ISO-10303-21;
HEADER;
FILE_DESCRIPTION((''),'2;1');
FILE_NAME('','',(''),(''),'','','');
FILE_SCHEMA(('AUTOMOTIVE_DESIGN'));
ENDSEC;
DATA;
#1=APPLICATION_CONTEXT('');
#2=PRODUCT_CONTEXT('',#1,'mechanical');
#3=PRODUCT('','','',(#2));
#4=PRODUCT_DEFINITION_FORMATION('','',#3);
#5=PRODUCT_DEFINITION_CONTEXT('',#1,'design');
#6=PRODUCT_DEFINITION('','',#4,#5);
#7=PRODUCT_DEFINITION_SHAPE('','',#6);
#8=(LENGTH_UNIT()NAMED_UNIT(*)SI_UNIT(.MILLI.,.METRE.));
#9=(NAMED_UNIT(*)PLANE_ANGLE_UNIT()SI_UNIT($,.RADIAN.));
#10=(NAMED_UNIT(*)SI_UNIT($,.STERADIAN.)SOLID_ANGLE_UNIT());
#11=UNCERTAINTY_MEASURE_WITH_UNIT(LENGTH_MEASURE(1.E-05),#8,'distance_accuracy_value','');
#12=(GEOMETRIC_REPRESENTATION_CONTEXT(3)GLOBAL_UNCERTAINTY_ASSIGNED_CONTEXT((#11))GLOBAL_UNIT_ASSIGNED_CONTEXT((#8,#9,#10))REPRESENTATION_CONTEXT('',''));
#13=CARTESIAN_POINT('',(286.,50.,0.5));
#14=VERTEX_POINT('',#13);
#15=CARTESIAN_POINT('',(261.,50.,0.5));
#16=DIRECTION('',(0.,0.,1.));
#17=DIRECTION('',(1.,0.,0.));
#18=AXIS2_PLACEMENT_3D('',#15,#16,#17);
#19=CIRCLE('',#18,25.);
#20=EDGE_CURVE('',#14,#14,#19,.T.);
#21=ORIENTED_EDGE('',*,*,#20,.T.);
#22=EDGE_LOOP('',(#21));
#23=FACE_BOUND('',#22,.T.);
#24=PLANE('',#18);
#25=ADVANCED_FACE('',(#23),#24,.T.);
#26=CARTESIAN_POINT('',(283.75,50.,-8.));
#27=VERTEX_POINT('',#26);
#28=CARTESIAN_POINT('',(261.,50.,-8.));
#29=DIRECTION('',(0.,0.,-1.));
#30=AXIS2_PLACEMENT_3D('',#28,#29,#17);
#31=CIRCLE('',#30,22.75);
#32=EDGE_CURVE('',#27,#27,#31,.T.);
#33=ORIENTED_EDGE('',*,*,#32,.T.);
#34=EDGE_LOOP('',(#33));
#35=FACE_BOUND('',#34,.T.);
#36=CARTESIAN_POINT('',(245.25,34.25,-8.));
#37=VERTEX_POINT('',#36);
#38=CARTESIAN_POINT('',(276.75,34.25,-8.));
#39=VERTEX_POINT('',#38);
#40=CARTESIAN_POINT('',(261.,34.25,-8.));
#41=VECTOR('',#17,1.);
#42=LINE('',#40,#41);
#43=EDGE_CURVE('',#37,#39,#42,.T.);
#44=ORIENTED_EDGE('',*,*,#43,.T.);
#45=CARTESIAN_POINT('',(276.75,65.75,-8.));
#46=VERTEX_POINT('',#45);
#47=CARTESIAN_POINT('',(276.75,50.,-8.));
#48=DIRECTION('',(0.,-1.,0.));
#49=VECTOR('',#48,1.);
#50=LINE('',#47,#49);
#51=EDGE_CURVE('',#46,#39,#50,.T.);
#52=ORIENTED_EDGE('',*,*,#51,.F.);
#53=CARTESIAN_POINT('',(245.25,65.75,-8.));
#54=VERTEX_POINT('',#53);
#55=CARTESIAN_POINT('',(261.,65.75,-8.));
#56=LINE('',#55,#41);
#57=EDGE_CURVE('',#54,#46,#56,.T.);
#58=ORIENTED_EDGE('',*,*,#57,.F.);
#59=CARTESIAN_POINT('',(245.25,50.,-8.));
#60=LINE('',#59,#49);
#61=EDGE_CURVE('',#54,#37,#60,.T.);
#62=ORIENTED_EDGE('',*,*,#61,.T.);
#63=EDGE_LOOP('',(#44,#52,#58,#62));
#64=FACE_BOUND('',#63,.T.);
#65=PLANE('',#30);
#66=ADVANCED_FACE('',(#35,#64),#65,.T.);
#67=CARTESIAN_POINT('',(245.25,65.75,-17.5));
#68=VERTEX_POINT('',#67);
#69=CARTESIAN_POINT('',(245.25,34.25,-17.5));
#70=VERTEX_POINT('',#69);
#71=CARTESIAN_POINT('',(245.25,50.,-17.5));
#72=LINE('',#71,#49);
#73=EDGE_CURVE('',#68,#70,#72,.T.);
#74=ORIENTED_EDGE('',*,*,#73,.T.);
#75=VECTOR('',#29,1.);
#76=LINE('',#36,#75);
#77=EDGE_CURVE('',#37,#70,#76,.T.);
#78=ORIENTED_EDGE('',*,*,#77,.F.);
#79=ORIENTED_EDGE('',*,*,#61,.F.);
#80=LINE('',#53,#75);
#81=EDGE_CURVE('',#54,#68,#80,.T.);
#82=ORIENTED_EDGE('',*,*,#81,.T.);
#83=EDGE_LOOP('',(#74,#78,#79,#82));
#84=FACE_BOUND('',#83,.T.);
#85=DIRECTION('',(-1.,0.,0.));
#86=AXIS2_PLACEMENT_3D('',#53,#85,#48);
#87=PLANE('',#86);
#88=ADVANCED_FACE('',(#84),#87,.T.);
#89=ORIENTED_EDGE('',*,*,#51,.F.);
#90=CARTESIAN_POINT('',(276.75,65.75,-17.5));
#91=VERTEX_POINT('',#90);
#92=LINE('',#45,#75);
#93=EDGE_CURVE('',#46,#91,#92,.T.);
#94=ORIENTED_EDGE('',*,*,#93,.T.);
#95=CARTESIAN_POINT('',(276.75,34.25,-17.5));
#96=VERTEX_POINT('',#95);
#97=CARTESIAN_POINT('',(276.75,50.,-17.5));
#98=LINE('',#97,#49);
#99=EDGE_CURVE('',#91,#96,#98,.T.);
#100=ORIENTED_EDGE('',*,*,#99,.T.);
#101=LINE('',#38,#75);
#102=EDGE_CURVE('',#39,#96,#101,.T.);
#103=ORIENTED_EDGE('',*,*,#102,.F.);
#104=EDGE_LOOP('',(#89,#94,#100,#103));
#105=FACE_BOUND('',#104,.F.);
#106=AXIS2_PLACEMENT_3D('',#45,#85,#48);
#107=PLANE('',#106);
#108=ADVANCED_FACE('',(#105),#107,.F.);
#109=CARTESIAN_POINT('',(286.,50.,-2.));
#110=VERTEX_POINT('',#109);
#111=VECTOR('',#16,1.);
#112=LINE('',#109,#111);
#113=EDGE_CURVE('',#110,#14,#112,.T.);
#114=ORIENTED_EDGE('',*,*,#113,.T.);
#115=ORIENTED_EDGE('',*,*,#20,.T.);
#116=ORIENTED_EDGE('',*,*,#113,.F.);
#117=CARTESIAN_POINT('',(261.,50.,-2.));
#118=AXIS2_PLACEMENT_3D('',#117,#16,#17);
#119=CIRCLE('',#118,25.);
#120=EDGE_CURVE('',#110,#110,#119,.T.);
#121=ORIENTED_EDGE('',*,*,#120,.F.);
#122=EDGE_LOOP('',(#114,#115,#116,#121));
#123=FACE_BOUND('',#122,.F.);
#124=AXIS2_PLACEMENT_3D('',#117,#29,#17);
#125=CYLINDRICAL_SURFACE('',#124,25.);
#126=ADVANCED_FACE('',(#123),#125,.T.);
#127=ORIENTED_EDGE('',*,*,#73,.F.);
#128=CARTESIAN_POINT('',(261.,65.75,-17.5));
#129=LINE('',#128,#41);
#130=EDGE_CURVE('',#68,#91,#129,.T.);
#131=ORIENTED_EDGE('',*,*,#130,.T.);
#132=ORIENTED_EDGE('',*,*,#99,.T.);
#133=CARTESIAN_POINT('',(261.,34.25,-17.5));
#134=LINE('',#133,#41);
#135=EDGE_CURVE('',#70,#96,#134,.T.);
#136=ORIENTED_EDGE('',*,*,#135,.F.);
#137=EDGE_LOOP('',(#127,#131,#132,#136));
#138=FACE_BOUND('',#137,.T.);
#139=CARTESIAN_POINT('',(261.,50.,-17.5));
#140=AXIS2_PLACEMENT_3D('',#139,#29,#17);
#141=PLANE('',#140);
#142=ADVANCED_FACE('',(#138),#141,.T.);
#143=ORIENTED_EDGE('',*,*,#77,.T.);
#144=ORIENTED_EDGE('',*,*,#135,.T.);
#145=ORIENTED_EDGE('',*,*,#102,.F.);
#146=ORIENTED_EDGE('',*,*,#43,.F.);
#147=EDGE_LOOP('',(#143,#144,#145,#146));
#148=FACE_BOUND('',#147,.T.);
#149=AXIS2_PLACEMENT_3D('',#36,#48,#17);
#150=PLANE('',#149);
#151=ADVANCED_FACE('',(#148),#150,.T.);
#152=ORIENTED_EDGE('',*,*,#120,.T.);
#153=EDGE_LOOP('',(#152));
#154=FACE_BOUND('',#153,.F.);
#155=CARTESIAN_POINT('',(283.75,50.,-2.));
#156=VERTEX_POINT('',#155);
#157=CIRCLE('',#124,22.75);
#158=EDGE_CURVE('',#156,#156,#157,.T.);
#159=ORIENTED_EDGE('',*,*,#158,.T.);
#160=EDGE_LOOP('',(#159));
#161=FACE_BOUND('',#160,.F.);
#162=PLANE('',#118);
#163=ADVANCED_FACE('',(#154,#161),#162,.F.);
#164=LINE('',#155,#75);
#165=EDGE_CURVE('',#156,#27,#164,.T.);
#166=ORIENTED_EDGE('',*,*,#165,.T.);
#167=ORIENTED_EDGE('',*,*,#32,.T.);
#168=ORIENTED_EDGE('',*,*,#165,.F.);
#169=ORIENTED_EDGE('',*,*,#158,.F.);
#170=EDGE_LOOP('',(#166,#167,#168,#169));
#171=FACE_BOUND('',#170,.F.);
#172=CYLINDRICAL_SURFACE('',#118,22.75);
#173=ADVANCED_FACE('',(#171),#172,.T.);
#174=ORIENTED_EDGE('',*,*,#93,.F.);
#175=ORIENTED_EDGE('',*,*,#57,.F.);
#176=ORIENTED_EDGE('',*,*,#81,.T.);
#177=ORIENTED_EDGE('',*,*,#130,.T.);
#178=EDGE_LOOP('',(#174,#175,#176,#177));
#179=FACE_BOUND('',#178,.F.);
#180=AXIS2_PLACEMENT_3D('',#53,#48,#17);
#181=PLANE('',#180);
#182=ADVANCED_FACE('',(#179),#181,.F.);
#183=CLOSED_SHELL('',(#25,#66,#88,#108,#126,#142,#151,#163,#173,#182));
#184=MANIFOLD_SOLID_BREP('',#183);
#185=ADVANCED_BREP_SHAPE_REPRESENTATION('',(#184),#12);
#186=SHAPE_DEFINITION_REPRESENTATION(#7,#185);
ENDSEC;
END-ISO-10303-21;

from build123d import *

# Parameters (mm, degrees)
SKETCH045_R  = 25
PAD017_DEPTH = 2.5
SKETCH046_R  = 22.75
PAD018_DEPTH = 6
SKETCH047_W  = 31.5
SKETCH047_H  = 31.5
PAD019_DEPTH = 9.5


with BuildPart() as part:
    # Sketch045 → Pad017 (new body)
    with BuildSketch(Plane.XY):
        Circle(SKETCH045_R)
    extrude(amount=PAD017_DEPTH)

    # Sketch046 (on Face2 of Pad017) → Pad018 (join)
    with BuildSketch(Plane(origin=(0, 0, 0), x_dir=(1, 0, 0), z_dir=(0, 0, -1))):
        Circle(SKETCH046_R)
    extrude(amount=PAD018_DEPTH)

    # Sketch047 (on Face5 of Pad018) → Pad019 (join)
    with BuildSketch(Plane(origin=(0, 0, -6), x_dir=(1, 0, 0), z_dir=(0, 0, -1))):
        Rectangle(SKETCH047_W, SKETCH047_H)
    extrude(amount=PAD019_DEPTH)


with BuildPart() as part_1:
    # Body009 placement: moved
    add(part.part.moved(Location((261, 50, -2))))


solid = part_1.part
